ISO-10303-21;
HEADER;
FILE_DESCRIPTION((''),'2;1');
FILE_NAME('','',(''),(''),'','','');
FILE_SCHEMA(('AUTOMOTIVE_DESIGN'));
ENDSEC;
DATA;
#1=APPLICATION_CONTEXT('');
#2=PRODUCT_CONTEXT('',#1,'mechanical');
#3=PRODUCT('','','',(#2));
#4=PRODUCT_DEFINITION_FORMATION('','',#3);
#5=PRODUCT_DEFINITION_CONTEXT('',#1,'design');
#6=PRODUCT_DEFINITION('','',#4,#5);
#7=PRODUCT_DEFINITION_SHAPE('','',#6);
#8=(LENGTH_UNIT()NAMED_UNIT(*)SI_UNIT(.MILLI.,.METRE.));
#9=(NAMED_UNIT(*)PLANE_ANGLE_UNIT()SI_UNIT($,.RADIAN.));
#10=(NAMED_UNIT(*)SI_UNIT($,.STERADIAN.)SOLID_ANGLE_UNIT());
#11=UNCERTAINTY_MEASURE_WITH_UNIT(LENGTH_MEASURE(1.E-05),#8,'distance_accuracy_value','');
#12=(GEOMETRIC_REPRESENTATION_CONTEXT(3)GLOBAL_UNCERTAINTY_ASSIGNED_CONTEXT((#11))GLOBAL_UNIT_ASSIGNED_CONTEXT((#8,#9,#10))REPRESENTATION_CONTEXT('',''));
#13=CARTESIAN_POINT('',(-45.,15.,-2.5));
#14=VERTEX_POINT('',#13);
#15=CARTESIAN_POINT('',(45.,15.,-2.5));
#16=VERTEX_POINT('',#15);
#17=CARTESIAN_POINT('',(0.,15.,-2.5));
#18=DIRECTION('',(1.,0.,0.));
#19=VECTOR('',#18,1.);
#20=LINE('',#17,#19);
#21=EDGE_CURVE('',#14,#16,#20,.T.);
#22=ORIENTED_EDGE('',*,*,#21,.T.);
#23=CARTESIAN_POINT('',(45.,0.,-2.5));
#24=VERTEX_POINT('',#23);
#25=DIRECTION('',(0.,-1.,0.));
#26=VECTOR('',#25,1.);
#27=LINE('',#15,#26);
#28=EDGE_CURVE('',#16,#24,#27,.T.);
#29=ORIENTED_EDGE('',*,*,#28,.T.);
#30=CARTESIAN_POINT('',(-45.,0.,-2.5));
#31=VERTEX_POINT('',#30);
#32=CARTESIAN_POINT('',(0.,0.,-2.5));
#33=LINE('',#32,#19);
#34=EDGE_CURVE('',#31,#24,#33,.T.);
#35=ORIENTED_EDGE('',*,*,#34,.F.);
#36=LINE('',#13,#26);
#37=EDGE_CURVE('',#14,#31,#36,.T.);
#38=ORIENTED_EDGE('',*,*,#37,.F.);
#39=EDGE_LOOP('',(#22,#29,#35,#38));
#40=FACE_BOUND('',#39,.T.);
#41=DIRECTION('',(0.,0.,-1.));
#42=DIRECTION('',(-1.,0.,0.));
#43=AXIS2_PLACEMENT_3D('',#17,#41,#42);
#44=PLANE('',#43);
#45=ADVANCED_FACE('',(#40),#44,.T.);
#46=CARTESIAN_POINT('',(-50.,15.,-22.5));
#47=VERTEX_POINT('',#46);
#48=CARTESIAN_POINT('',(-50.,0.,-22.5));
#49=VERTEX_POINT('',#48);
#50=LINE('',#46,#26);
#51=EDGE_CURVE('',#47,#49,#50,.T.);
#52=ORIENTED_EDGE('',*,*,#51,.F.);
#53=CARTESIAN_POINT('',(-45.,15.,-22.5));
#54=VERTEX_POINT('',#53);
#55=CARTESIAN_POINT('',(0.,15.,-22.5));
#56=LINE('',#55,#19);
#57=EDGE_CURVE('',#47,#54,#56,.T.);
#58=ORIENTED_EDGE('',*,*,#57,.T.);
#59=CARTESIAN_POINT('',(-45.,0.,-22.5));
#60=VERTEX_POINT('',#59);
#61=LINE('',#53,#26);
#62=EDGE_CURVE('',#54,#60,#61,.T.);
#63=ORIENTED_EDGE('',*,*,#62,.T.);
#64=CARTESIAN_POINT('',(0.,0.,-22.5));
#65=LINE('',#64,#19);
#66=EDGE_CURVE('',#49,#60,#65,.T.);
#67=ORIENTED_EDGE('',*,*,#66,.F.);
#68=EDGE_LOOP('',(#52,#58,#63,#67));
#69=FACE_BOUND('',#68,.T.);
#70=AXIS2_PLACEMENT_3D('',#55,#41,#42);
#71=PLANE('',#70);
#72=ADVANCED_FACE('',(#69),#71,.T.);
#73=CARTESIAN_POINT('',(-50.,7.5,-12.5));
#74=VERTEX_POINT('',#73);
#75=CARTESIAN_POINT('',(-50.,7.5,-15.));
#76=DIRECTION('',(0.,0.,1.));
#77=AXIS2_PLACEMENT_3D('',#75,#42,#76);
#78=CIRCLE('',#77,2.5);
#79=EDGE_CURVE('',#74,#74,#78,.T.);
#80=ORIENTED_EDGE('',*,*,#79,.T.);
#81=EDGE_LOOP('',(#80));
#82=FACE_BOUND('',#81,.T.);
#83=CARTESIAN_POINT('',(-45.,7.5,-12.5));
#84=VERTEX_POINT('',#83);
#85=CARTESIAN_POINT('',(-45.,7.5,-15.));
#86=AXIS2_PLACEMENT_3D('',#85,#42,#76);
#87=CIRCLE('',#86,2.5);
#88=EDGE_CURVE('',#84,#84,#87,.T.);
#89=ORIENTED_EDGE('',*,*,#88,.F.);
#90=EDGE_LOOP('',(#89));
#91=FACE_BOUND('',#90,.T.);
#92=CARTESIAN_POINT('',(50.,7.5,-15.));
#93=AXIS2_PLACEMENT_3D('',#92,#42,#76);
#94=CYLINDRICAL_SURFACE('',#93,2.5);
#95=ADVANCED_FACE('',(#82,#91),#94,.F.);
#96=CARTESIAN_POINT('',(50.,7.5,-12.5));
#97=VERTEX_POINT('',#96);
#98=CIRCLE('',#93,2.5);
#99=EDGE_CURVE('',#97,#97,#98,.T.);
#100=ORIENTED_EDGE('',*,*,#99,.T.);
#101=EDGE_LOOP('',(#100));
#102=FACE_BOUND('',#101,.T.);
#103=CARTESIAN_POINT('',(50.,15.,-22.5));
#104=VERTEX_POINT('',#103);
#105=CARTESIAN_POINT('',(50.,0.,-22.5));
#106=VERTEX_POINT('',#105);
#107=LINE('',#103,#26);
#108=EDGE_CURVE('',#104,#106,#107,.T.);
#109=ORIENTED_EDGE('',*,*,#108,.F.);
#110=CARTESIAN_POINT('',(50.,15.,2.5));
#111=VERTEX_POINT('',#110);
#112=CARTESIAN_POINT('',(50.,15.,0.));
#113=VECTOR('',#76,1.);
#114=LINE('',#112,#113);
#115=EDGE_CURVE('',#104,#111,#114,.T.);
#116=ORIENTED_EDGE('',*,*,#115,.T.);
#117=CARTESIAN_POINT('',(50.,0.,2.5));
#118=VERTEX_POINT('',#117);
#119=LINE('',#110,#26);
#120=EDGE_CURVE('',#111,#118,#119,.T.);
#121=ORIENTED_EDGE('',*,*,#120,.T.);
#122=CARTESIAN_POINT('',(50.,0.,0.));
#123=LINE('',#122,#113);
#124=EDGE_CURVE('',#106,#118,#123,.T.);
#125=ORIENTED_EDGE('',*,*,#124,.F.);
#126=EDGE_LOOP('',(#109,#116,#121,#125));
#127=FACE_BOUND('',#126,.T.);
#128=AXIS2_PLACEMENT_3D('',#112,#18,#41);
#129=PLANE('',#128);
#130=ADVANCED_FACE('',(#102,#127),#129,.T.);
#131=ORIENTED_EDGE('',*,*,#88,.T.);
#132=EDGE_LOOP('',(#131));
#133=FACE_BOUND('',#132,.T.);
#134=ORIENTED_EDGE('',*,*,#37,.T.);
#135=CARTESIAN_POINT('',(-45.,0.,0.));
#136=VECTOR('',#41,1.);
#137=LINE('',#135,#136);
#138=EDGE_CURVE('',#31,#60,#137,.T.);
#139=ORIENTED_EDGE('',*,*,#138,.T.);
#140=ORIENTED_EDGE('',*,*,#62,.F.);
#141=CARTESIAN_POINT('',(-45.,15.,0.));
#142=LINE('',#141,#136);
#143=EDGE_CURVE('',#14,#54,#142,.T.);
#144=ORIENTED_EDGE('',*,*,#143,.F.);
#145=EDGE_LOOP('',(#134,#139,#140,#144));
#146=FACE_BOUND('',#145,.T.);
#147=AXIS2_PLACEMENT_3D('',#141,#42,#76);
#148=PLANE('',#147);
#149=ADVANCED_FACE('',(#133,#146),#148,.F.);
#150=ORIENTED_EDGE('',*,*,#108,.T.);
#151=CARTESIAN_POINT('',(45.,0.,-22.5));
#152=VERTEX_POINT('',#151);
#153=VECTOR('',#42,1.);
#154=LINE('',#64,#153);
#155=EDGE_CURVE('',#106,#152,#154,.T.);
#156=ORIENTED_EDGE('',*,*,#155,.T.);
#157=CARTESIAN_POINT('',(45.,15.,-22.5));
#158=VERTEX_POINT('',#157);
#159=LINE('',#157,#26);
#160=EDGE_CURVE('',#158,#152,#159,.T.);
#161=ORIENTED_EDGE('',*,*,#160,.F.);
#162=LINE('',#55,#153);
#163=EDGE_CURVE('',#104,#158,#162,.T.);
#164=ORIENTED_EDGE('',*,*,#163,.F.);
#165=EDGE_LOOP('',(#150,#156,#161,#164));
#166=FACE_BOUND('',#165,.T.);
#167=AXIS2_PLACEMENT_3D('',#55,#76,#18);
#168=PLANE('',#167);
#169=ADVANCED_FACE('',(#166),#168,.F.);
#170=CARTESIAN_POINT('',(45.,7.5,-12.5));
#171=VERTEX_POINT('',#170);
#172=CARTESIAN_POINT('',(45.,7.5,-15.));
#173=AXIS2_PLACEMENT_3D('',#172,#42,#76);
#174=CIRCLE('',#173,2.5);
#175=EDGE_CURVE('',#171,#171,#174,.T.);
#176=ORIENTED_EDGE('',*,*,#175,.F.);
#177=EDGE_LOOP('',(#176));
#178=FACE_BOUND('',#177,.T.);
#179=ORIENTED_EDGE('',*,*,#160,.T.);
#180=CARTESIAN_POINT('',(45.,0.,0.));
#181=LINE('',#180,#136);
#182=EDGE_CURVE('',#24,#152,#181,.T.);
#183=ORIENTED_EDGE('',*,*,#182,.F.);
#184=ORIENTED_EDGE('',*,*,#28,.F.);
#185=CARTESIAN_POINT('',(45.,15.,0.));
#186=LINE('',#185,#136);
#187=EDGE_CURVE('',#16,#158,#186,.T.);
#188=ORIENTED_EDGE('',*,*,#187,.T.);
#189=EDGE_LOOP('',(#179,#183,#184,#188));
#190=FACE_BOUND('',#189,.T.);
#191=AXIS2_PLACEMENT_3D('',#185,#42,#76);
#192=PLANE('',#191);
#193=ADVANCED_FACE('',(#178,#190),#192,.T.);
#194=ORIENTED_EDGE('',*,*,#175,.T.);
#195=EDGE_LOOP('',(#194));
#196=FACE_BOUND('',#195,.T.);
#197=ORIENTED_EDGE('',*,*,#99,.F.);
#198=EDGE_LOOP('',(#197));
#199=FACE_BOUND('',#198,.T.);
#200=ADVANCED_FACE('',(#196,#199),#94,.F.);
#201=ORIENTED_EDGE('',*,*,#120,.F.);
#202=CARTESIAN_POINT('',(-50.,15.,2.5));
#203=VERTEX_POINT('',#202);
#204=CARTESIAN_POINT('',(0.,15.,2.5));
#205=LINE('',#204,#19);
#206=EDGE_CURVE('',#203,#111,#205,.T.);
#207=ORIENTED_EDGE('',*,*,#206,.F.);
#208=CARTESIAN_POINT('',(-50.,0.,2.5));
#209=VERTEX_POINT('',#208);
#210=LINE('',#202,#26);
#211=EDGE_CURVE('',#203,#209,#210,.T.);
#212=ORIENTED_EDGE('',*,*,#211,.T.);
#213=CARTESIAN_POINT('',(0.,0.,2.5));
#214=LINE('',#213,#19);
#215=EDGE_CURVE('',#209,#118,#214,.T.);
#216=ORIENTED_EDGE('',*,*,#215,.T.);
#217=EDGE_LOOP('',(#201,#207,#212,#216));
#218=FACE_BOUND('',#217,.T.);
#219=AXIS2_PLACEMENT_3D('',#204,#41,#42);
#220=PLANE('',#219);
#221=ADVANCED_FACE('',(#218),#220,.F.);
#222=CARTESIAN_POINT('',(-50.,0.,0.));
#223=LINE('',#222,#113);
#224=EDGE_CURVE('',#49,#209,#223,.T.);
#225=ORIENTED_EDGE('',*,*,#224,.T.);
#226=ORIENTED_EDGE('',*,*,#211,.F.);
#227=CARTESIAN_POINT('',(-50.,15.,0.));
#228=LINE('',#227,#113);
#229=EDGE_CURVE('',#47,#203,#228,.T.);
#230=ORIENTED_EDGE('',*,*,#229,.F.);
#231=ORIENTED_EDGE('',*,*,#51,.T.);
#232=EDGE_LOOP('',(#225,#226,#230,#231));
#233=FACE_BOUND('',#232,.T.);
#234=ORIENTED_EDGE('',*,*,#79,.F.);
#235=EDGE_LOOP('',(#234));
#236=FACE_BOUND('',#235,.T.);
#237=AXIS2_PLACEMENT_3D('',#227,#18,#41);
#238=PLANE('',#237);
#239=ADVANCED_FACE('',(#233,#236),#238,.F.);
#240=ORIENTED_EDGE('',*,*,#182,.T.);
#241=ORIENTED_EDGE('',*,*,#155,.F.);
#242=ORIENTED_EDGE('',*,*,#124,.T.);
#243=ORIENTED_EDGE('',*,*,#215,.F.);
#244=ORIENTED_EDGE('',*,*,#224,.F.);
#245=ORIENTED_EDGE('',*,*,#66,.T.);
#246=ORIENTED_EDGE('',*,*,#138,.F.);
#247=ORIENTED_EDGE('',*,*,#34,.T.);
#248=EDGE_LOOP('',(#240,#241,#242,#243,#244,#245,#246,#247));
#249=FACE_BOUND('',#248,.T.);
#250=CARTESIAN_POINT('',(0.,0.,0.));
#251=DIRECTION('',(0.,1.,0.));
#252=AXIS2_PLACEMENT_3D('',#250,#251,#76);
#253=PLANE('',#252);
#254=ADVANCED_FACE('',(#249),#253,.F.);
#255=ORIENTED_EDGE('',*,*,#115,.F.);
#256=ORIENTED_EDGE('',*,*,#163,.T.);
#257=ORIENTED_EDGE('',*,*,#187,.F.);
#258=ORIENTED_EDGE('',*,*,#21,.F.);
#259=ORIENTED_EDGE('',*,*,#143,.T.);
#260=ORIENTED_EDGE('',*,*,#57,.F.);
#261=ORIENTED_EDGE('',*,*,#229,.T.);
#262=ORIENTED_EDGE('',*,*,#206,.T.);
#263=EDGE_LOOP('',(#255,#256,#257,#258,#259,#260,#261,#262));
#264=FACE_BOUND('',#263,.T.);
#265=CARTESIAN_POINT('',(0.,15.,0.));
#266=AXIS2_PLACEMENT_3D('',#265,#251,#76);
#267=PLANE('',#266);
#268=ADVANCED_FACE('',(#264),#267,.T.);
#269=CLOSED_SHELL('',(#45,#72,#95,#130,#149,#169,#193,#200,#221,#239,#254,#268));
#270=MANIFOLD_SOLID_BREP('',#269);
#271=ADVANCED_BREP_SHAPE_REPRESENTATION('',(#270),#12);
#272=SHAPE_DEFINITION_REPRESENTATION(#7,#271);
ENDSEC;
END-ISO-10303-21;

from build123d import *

# Parameters (mm, degrees)
SKETCH1_W           = 100
SKETCH1_H           = 5
SKETCH1_W_2         = 5
SKETCH1_H_2         = 20
BOSS_EXTRUDE1_DEPTH = 15
SKETCH2_R           = 2.5
CUT_EXTRUDE1_DEPTH  = 104.591746776


with BuildPart() as part:
    # Sketch1 → Boss-Extrude1 (new body)
    with BuildSketch(Plane(origin=(0, 0, 0), x_dir=(1, 0, 0), z_dir=(0, 1, 0))):
        Rectangle(SKETCH1_W, SKETCH1_H)
        with Locations((-47.5, 12.5)):
            Rectangle(SKETCH1_W_2, SKETCH1_H_2)
        with Locations((47.5, 12.5)):
            Rectangle(SKETCH1_W_2, SKETCH1_H_2)
    extrude(amount=BOSS_EXTRUDE1_DEPTH)

    # Sketch2 → Cut-Extrude1 (cut, through all)
    with BuildSketch(Plane.ZY.offset(50)):
        with Locations((-15, 7.5)):
            Circle(SKETCH2_R)
    extrude(amount=-CUT_EXTRUDE1_DEPTH, mode=Mode.SUBTRACT)


solid = part.part
